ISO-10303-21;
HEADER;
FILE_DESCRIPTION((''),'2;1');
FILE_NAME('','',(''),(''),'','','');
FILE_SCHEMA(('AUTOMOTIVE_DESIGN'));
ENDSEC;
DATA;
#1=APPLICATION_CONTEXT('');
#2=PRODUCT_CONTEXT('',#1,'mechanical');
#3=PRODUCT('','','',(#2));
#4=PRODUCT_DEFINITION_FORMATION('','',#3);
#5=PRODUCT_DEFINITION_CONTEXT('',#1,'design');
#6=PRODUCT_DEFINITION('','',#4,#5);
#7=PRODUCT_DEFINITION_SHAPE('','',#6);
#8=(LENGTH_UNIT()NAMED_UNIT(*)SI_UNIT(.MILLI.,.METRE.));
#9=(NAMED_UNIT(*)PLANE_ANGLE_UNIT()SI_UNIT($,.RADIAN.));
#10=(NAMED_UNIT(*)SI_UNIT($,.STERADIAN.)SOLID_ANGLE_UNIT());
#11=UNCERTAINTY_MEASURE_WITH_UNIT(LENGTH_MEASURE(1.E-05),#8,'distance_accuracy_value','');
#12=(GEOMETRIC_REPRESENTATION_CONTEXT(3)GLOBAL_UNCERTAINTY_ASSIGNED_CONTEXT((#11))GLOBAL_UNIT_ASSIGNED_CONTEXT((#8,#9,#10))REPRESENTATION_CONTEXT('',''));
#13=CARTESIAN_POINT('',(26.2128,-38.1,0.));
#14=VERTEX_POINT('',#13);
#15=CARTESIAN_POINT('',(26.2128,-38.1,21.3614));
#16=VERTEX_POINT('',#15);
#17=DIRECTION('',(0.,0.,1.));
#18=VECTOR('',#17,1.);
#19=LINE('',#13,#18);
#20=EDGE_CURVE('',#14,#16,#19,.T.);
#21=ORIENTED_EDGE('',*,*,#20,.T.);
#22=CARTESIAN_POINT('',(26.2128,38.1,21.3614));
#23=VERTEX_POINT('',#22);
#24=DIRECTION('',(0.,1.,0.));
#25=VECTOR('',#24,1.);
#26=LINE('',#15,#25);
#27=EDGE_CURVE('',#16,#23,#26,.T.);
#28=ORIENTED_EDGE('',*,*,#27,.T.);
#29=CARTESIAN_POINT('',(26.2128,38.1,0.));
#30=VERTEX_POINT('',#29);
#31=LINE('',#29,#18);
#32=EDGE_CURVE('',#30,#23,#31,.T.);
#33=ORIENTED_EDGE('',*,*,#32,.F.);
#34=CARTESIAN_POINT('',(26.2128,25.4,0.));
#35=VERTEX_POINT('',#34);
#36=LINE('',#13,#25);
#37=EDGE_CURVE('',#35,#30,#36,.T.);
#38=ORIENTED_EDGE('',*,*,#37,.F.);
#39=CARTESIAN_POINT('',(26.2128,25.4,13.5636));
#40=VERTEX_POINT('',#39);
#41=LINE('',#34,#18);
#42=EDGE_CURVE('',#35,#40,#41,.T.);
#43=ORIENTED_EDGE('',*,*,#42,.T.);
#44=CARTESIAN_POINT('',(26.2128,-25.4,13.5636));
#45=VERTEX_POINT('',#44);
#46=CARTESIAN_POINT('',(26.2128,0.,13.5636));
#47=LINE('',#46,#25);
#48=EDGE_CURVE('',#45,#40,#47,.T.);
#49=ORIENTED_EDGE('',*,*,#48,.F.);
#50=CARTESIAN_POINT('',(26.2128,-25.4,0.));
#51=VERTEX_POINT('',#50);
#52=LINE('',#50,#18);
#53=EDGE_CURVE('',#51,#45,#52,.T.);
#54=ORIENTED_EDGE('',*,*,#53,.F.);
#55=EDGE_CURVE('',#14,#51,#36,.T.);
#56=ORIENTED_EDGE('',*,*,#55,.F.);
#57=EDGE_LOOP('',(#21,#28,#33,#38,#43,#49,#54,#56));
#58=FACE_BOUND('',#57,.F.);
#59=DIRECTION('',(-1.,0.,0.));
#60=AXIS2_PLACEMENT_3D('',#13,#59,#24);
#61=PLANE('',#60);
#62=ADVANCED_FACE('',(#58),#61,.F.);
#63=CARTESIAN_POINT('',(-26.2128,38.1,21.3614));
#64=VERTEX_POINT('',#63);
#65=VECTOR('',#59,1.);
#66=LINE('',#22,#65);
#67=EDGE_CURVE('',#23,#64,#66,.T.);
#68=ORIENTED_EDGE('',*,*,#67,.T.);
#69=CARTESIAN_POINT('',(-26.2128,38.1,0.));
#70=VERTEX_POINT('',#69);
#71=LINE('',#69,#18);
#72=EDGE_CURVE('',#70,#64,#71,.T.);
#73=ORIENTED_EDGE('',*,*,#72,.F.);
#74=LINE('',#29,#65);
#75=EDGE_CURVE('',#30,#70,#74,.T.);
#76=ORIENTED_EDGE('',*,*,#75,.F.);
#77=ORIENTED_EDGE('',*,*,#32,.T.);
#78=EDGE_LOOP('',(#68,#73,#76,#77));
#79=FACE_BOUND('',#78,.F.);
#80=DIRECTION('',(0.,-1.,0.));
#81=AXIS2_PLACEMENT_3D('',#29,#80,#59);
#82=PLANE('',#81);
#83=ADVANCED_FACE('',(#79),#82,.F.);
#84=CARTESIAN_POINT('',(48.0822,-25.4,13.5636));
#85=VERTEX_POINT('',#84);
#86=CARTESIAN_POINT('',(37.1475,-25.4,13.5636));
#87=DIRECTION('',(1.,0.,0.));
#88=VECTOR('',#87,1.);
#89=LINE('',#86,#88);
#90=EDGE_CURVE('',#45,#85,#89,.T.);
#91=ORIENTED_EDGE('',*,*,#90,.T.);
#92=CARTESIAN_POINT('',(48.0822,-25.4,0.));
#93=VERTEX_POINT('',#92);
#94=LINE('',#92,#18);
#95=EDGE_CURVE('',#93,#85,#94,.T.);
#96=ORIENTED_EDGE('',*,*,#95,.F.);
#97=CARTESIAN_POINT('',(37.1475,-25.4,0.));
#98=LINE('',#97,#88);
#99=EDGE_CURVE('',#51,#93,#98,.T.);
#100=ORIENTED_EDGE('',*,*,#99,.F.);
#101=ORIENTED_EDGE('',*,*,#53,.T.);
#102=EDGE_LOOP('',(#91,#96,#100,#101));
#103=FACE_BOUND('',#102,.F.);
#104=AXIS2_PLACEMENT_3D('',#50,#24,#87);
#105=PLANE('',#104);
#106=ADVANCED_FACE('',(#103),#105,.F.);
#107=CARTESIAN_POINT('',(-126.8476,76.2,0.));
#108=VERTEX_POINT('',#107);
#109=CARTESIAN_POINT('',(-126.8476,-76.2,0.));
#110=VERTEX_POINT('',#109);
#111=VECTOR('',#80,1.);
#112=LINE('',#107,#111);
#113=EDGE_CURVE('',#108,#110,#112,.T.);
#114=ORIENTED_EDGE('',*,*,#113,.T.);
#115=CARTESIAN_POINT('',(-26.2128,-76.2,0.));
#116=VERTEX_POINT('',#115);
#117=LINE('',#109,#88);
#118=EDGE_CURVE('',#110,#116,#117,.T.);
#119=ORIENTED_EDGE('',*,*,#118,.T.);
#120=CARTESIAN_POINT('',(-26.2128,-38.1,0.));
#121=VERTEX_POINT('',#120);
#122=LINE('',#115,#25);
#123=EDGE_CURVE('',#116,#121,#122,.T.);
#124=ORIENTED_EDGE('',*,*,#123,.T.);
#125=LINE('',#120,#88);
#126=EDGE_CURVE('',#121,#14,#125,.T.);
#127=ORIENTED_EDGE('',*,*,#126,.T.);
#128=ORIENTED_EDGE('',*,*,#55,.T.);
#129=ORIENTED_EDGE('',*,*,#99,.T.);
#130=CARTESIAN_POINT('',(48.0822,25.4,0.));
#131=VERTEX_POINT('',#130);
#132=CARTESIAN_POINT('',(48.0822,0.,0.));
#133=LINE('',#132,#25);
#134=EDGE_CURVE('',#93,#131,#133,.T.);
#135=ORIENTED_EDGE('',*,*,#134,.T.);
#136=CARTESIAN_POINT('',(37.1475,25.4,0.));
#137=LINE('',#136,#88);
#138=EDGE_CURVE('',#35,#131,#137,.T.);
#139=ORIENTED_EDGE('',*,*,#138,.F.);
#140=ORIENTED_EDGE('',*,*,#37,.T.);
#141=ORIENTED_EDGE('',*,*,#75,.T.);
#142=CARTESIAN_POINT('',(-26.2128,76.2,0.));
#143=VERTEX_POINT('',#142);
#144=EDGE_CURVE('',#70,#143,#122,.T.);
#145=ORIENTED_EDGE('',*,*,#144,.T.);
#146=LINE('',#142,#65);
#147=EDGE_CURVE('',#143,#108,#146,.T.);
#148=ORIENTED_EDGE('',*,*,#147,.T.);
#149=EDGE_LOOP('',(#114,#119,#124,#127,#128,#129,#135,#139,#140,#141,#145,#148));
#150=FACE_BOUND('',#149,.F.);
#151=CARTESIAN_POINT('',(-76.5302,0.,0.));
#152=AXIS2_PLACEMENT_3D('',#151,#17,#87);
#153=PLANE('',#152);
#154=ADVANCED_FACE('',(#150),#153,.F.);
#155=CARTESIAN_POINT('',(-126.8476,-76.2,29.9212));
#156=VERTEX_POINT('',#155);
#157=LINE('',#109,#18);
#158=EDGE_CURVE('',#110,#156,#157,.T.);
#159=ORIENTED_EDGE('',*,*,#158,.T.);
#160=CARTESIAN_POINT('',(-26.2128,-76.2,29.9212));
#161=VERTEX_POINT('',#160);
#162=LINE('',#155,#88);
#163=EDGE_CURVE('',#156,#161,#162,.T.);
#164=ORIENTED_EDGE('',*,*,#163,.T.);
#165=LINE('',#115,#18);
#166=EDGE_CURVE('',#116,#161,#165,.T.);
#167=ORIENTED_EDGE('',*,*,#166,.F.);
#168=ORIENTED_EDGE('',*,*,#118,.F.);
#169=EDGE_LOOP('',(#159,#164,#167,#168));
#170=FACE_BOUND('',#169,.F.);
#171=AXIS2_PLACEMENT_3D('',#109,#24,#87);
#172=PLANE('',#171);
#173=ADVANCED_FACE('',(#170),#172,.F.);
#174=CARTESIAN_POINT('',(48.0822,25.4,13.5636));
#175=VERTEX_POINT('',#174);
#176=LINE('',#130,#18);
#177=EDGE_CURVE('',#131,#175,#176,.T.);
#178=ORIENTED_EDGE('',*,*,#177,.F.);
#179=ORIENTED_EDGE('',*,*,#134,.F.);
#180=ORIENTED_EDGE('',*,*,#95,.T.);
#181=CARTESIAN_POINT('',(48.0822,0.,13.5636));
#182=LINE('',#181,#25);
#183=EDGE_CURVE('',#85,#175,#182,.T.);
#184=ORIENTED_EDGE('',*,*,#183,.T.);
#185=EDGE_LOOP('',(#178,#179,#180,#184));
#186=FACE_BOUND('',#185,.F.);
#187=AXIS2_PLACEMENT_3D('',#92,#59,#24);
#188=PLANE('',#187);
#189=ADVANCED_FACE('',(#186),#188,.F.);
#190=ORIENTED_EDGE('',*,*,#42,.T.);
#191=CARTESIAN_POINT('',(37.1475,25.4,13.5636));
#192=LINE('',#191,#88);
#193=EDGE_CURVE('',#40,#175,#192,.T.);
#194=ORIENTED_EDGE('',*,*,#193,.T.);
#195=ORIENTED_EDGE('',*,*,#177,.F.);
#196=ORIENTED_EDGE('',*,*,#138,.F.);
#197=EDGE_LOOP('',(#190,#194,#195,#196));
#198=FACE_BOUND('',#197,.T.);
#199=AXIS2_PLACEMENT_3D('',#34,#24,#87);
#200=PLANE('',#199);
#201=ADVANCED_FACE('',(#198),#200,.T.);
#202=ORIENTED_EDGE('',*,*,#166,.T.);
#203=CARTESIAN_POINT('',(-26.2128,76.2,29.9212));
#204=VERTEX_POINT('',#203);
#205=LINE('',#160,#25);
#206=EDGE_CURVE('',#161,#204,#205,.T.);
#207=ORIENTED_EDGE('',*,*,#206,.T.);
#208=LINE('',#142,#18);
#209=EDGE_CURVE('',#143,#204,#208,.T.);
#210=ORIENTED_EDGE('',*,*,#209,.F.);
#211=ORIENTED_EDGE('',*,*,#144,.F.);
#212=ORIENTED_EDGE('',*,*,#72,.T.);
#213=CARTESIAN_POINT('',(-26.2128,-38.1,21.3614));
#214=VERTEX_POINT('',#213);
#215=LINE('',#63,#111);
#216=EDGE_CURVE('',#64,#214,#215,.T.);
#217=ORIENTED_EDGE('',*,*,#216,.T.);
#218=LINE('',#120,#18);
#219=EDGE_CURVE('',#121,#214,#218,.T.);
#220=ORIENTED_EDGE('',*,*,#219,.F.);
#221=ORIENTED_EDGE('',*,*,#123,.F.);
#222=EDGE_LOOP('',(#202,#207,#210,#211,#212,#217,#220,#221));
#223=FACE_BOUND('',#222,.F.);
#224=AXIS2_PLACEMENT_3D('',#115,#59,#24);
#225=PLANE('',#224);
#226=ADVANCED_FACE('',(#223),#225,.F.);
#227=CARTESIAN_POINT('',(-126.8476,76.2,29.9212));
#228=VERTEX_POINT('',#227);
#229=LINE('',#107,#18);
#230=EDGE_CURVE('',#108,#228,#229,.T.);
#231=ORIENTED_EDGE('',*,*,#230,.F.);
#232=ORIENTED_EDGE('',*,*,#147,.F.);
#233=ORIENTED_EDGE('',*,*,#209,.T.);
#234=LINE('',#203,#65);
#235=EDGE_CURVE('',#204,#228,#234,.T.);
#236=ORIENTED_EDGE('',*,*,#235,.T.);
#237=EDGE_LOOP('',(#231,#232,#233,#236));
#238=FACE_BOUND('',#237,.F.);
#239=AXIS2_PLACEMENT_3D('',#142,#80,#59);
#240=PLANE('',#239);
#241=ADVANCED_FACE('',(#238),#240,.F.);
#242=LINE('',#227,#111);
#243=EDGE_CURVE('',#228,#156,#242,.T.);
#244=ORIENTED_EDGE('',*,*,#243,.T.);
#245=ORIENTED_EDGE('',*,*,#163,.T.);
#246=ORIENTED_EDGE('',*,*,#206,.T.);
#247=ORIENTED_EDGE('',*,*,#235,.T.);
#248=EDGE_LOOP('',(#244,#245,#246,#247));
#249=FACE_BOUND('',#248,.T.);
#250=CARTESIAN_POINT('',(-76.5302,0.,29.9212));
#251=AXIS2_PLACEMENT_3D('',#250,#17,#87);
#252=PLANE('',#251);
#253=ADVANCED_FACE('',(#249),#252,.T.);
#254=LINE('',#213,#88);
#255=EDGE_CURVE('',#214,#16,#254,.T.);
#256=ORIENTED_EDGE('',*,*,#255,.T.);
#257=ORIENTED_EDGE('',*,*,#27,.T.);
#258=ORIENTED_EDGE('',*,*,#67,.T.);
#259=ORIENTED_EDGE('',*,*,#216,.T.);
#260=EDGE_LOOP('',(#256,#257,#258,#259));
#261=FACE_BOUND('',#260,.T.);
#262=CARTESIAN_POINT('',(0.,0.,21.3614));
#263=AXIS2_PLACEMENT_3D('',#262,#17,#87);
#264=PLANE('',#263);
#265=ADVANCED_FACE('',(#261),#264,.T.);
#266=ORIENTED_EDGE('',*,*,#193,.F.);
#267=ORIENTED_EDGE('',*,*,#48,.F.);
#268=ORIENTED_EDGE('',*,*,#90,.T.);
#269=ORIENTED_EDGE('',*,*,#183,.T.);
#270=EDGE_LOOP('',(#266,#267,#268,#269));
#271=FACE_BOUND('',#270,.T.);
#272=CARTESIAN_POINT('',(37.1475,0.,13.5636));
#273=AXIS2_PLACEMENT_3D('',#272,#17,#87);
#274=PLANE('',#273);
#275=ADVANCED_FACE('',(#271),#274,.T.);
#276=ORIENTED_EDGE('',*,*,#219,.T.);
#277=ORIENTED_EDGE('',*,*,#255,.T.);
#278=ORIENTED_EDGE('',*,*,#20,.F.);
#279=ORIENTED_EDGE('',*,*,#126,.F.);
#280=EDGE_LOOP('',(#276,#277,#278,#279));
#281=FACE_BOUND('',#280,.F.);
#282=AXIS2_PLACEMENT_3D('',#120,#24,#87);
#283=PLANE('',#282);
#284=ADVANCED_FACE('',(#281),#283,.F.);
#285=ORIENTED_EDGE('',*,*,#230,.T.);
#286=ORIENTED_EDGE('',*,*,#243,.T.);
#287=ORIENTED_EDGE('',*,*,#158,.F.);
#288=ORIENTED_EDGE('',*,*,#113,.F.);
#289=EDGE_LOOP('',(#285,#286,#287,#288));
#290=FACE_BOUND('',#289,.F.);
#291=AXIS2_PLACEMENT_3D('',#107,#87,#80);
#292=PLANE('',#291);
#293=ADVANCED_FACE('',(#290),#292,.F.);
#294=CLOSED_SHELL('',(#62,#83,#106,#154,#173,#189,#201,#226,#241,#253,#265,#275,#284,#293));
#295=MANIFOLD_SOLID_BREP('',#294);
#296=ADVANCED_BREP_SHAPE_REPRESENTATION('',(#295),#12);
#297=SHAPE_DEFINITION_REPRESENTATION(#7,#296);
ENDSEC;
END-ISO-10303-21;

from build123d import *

# Parameters (mm, degrees)
F1_DEPTH = 29.9212
F2_DEPTH = 21.3614
F0_W     = 21.8694
F0_H     = 50.8
F3_DEPTH = 13.5636


with BuildPart() as f1:
    # F0 (on Top) → F1 (new body)
    with BuildSketch(Plane.XY):
        Polygon((-26.2128, -38.1), (-26.2128, 38.1), (-26.2128, 76.2), (-126.8476, 76.2), (-126.8476, -76.2), (-26.2128, -76.2), align=None)
    extrude(amount=F1_DEPTH)

    # F0 (on Top) → F2 (join)
    with BuildSketch(Plane.XY):
        Polygon((26.2128, 25.4), (26.2128, 38.1), (-26.2128, 38.1), (-26.2128, -38.1), (26.2128, -38.1), (26.2128, -25.4), align=None)
    extrude(amount=F2_DEPTH)

    # F0 (on Top) → F3 (join)
    with BuildSketch(Plane.XY):
        with Locations((37.1475, 0)):
            Rectangle(F0_W, F0_H)
    extrude(amount=F3_DEPTH)


solid = f1.part
